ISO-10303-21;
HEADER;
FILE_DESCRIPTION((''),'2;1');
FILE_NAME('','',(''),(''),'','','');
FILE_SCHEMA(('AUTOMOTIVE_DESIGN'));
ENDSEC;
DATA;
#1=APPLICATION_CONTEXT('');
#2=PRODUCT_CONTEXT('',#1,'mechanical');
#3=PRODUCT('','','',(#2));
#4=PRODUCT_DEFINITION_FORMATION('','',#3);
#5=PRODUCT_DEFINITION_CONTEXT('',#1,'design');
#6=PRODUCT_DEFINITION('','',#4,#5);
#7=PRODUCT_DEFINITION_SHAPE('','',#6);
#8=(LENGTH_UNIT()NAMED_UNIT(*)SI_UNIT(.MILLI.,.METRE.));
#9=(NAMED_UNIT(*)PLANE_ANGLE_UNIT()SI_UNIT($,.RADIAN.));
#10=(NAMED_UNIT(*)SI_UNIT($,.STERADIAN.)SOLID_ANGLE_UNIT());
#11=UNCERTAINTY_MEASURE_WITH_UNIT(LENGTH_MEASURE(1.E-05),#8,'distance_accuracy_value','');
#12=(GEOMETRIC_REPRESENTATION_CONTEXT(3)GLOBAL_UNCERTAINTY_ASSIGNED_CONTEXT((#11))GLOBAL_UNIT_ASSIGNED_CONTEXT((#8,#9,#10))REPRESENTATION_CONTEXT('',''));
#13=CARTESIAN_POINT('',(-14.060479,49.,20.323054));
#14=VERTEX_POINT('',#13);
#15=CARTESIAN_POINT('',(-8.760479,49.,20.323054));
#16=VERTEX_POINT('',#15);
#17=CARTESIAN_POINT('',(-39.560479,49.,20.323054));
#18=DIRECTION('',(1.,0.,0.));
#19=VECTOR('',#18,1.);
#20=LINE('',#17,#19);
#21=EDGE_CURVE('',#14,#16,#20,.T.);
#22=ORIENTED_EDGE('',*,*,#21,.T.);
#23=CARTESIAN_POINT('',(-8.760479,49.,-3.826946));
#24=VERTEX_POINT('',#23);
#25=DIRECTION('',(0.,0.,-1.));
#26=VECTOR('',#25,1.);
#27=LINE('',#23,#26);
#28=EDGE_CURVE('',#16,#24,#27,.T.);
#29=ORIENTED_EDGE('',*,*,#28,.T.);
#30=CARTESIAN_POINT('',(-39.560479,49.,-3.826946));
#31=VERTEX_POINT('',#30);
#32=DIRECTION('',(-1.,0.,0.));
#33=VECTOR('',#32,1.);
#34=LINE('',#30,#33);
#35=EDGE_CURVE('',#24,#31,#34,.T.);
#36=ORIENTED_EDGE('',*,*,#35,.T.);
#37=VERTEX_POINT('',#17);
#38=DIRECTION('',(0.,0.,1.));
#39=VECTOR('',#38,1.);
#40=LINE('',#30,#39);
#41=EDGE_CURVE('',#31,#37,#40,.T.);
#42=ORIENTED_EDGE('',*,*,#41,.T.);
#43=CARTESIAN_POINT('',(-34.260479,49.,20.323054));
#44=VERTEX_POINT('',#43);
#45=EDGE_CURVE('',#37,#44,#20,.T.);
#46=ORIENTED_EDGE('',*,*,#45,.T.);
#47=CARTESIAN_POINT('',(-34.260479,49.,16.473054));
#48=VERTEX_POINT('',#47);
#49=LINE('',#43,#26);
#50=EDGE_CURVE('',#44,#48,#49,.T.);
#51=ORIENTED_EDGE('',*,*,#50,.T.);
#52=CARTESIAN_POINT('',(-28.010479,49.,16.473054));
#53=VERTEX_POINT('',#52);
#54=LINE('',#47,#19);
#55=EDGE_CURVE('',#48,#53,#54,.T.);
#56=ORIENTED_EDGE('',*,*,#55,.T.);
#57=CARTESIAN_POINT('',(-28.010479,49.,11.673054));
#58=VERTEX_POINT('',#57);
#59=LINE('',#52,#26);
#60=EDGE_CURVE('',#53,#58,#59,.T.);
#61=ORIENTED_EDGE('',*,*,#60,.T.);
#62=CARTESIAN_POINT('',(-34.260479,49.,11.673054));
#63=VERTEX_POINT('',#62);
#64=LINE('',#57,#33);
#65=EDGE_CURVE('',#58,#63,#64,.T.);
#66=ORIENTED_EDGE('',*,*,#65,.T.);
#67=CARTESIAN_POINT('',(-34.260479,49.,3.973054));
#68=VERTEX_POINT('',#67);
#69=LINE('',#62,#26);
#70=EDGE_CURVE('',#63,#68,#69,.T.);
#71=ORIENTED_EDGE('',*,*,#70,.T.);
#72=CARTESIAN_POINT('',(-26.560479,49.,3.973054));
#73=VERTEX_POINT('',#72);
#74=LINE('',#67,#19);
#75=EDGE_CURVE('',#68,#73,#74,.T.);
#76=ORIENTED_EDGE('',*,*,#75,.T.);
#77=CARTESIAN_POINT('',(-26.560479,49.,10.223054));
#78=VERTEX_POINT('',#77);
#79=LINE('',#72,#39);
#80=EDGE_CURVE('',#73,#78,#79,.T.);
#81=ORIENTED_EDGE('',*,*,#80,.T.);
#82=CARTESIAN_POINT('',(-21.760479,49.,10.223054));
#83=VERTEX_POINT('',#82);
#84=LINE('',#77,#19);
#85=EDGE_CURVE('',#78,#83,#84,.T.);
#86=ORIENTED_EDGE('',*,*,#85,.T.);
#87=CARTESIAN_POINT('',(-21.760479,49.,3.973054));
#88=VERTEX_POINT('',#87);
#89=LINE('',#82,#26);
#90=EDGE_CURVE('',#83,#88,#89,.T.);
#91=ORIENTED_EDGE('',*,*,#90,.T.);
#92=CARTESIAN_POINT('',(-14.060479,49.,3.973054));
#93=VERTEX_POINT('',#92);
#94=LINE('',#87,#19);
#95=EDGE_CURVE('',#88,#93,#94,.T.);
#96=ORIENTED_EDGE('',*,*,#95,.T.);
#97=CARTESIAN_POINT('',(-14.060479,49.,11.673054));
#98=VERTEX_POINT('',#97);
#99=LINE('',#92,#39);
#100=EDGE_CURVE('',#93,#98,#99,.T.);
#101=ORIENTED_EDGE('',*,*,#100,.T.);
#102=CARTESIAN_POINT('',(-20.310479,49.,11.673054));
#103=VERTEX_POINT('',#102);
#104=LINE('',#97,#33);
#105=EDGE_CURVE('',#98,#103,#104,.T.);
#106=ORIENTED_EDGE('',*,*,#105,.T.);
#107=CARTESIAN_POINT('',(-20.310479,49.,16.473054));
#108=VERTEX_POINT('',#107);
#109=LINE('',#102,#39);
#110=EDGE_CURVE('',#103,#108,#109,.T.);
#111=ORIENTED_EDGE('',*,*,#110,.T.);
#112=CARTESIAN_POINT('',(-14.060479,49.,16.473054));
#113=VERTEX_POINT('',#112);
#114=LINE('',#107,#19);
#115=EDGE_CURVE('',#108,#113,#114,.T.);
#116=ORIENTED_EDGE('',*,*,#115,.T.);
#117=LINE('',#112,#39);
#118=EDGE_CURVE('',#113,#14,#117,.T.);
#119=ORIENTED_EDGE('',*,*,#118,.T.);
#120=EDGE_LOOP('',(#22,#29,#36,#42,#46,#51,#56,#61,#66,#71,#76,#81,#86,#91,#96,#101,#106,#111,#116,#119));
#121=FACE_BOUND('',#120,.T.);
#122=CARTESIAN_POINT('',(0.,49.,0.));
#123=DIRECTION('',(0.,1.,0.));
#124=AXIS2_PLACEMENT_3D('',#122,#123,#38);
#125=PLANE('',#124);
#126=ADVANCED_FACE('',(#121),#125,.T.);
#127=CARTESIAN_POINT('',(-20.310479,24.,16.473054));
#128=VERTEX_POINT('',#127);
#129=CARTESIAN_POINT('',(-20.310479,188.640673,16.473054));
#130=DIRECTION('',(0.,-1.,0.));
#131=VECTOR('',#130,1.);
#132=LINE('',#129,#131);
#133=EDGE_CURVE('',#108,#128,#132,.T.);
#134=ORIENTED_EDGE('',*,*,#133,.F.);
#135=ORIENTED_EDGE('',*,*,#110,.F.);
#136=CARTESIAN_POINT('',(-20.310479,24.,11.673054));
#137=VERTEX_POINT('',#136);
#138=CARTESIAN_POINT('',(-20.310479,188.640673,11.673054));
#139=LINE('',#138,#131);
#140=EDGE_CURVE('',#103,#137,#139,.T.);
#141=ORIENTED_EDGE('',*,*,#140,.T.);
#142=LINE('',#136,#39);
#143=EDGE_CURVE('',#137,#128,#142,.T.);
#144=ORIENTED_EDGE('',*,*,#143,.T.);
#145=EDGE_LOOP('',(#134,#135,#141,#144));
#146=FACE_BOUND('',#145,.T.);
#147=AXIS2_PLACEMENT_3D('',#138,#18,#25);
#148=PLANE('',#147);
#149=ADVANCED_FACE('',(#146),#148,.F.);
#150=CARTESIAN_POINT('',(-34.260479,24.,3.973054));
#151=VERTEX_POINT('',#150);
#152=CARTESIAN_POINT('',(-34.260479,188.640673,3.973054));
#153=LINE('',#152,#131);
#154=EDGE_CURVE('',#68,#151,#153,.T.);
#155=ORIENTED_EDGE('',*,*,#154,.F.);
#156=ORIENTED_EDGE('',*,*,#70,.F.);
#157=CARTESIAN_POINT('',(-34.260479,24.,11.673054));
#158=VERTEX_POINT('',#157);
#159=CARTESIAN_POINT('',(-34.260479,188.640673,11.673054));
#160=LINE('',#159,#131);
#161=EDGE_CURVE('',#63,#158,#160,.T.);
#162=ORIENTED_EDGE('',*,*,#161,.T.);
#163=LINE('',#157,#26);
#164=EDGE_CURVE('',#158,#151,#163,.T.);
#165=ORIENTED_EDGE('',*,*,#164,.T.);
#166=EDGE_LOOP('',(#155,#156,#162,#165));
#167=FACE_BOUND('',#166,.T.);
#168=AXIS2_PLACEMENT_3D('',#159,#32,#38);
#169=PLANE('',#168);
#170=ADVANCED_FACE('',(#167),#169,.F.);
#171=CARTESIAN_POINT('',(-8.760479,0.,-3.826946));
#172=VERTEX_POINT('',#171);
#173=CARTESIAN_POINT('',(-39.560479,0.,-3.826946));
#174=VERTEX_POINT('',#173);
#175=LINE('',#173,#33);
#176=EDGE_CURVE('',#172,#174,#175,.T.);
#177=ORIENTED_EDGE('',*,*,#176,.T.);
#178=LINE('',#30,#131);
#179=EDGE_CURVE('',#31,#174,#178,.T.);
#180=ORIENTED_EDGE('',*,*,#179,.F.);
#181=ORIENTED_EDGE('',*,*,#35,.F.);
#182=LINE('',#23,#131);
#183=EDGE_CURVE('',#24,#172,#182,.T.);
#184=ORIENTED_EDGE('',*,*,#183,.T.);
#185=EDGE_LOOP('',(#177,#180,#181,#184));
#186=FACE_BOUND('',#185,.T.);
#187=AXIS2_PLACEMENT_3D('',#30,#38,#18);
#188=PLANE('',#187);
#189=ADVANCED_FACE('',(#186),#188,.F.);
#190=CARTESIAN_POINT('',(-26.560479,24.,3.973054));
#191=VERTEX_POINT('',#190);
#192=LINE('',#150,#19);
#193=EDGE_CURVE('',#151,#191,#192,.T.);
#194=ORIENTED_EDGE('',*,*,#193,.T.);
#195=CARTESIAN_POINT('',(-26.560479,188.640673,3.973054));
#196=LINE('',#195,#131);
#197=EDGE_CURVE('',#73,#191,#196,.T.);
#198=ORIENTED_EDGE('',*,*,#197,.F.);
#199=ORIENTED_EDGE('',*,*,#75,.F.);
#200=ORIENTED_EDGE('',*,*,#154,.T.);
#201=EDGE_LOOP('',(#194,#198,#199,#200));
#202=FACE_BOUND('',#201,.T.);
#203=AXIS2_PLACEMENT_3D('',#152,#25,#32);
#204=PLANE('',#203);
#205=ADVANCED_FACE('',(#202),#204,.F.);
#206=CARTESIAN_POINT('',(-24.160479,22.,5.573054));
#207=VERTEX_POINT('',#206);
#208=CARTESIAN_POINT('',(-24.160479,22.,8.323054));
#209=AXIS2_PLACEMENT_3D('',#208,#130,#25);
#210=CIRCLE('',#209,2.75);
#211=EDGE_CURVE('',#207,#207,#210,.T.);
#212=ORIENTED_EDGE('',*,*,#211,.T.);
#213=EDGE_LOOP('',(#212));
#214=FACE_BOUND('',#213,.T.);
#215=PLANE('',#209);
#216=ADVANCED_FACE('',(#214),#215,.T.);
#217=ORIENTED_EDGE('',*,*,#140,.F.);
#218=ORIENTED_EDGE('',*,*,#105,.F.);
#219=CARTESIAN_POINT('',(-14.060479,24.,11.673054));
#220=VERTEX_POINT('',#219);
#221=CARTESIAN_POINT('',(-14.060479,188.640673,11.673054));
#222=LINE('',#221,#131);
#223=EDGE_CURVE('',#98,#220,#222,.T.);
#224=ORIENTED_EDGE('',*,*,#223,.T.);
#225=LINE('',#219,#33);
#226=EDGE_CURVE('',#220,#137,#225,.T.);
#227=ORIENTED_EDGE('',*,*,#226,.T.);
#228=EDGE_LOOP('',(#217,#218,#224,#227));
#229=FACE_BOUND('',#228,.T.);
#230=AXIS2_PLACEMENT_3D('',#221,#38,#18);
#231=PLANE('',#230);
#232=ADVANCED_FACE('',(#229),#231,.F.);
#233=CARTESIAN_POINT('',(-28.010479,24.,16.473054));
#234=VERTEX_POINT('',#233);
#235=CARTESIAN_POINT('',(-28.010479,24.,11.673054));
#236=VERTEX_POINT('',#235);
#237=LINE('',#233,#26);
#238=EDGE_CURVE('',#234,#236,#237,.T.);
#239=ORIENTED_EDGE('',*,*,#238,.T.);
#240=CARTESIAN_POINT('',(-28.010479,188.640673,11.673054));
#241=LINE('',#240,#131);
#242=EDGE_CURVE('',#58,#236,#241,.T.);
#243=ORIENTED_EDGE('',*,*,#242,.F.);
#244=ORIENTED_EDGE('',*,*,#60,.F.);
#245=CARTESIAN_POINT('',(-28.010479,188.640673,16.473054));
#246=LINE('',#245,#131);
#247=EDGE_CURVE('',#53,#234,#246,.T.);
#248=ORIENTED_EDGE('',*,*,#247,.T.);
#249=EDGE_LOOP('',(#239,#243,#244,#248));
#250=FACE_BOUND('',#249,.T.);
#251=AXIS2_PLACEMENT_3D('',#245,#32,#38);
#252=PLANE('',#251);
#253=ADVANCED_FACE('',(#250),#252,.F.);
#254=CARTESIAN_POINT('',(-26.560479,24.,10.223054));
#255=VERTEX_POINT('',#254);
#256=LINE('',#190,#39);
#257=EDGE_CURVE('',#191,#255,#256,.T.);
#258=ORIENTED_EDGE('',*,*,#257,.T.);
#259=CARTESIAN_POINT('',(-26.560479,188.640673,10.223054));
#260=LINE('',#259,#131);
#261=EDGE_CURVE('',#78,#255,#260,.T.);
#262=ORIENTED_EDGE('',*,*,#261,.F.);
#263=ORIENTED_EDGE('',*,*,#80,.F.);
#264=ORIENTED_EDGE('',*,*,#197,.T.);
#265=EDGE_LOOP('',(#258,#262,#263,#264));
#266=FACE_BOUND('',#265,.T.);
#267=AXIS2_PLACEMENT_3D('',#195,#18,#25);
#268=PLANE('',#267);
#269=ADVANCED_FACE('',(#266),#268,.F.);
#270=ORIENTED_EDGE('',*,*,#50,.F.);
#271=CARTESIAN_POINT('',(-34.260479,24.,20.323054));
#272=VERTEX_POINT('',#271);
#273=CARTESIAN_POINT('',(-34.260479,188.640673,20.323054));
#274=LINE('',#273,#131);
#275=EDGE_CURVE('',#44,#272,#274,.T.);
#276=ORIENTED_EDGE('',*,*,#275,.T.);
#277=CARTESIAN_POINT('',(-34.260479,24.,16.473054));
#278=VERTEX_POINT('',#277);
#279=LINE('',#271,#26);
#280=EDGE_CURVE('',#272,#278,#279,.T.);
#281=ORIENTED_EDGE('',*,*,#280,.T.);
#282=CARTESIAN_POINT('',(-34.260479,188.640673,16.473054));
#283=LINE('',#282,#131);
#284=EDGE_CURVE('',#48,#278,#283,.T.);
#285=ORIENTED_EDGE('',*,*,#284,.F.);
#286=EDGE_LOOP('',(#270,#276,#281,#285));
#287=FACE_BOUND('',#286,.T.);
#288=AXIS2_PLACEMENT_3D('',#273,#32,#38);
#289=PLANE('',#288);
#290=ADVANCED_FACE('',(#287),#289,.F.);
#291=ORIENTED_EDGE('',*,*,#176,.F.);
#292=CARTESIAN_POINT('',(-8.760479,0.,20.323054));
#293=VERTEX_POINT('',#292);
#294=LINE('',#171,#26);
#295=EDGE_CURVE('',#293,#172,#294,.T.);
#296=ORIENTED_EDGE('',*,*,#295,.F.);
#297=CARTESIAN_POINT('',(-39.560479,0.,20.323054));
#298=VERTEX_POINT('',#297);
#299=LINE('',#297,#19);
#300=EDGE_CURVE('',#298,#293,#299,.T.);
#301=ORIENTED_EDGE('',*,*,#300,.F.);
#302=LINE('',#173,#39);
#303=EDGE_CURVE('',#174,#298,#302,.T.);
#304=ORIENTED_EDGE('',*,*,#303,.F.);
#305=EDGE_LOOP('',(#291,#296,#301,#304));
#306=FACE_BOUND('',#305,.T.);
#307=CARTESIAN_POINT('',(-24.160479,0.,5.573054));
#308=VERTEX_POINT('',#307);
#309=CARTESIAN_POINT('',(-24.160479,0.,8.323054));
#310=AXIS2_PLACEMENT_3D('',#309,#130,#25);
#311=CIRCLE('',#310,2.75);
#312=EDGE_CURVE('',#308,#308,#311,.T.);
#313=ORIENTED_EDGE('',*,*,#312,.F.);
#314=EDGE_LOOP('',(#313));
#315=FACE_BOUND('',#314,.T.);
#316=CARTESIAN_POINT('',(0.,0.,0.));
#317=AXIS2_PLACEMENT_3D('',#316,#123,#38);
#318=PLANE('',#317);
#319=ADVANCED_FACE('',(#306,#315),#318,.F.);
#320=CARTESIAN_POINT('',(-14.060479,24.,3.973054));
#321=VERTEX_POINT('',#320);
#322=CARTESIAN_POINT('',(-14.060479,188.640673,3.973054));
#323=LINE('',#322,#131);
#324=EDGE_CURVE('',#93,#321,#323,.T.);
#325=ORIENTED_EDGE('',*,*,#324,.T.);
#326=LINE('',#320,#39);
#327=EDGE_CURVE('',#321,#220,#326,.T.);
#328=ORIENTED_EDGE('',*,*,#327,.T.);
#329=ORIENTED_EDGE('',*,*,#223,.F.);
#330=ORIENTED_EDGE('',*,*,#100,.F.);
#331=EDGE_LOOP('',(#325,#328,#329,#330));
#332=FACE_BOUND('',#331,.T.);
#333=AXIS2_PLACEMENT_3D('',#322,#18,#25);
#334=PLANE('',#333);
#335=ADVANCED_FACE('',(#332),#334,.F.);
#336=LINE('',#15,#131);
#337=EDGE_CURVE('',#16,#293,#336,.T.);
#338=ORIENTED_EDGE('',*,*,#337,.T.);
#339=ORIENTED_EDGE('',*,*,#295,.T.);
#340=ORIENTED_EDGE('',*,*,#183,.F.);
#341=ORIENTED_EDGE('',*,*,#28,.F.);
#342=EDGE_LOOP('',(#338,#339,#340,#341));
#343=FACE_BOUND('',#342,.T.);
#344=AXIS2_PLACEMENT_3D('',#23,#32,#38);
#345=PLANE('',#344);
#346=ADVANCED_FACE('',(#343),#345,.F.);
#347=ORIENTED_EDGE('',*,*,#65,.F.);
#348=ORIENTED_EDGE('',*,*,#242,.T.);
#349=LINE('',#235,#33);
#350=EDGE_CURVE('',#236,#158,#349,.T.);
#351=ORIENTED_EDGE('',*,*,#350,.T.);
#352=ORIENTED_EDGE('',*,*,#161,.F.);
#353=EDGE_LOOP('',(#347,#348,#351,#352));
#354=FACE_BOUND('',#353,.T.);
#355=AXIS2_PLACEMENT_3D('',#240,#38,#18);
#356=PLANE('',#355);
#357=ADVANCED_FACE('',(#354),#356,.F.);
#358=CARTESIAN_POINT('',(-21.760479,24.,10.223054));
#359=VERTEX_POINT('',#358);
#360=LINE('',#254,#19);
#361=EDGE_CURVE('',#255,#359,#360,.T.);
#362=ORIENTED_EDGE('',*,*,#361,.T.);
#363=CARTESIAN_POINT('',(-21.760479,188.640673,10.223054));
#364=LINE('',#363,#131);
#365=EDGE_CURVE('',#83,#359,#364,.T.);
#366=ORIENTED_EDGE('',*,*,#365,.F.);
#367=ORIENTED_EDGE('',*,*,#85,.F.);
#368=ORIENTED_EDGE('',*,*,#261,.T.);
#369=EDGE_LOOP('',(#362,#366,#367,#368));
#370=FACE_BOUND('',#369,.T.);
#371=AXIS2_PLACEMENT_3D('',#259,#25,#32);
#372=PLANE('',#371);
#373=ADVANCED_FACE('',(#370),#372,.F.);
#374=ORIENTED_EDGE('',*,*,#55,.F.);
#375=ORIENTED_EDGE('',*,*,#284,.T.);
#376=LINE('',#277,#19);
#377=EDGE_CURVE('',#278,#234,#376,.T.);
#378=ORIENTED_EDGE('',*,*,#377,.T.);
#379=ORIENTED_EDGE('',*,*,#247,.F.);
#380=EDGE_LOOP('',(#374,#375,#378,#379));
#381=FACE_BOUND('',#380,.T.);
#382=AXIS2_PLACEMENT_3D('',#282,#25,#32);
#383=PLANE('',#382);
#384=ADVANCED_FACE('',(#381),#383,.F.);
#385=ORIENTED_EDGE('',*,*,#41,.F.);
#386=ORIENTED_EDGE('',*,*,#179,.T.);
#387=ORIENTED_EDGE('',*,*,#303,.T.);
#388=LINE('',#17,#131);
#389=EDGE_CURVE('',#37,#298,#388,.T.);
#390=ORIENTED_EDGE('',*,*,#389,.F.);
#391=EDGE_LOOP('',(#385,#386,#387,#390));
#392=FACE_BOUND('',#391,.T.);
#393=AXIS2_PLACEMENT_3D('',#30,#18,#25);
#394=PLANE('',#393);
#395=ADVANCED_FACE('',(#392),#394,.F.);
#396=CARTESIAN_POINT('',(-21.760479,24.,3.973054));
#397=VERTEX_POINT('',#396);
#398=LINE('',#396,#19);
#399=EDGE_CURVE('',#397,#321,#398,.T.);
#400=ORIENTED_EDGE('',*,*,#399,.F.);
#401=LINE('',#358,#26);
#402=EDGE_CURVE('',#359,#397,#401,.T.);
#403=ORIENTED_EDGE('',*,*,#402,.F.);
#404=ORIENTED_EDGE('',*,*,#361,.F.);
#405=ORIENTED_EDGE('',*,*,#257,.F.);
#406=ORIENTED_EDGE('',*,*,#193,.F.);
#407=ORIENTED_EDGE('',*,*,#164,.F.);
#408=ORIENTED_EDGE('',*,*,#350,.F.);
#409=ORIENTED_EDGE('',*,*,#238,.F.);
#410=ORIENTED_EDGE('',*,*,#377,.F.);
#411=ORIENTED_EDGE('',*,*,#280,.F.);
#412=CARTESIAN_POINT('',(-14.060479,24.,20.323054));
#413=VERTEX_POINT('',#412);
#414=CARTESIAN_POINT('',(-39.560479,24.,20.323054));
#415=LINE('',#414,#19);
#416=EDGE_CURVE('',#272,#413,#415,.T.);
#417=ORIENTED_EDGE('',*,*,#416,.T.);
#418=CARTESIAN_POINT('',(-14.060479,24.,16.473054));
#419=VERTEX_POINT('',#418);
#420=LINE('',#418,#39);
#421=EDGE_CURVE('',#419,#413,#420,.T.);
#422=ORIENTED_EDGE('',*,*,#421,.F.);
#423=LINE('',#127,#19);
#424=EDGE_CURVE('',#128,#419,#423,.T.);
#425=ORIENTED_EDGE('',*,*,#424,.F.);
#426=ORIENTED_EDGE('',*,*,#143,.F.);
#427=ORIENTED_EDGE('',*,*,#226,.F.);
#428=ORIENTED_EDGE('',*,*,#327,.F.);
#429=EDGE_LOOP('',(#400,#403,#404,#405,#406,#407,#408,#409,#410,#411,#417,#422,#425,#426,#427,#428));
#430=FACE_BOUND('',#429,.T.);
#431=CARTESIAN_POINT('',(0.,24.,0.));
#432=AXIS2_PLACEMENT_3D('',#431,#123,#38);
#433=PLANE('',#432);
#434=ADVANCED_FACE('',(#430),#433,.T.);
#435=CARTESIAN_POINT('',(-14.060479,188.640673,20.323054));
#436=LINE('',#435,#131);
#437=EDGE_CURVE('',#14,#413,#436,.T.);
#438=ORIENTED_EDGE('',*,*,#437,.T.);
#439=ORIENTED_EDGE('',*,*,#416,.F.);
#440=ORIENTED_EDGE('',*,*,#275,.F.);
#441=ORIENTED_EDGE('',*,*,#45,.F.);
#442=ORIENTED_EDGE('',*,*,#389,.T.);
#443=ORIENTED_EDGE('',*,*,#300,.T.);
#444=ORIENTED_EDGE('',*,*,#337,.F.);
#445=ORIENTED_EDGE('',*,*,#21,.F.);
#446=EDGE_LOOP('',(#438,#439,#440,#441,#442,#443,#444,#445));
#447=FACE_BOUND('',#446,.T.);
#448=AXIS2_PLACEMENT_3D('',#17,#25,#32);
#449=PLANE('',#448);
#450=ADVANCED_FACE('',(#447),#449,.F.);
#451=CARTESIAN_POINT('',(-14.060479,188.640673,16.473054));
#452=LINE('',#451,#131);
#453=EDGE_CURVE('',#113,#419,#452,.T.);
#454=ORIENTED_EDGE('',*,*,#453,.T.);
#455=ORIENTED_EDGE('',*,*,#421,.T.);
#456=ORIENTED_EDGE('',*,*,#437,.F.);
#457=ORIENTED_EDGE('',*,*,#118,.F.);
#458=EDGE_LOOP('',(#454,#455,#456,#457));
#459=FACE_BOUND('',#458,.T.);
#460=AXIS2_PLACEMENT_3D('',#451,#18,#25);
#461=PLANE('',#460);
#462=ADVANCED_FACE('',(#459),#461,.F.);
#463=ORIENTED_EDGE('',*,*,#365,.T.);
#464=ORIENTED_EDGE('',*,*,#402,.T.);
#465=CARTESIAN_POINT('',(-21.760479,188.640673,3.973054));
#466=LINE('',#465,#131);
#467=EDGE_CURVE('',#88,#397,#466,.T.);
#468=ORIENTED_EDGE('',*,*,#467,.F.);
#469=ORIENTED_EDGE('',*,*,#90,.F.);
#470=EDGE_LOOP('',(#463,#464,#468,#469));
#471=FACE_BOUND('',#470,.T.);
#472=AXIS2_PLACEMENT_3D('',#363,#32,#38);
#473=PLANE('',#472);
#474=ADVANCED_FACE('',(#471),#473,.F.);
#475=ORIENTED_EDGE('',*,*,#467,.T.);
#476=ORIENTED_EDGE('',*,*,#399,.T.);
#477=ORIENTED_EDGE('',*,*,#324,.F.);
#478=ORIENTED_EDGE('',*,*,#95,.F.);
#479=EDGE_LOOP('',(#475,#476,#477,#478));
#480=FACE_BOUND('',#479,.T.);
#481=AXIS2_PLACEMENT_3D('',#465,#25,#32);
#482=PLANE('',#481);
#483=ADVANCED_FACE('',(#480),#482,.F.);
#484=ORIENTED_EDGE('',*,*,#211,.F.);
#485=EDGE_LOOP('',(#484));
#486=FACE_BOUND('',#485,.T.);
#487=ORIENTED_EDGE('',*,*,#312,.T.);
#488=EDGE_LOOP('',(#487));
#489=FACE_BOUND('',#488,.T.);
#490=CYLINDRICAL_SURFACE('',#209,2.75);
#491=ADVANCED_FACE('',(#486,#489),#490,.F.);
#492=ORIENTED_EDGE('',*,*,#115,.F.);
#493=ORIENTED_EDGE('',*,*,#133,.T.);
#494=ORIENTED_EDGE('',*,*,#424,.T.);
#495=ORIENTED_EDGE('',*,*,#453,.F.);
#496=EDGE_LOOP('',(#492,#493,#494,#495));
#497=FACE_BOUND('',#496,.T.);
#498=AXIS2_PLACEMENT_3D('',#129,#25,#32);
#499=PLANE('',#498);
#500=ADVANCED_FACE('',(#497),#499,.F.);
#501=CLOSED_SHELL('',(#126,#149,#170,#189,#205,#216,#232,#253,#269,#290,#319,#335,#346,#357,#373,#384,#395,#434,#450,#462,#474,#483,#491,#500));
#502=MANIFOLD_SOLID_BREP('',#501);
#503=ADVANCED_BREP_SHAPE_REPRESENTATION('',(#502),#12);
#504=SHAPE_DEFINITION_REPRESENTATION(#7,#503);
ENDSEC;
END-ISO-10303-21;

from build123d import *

# Parameters (mm, degrees)
ESQUISSE1_W                  = 30.8
ESQUISSE1_H                  = 24.15
BOSS_EXTRU_1_DEPTH           = 49
ESQUISSE3_R                  = 2.75
ENL_V_MAT_EXTRU_3_DEPTH      = 22
ENL_V_MAT_EXTRU_4_DEPTH      = 67.174451426
ENL_V_MAT_EXTRU_4_DEPTH_BACK = 25


with BuildPart() as part:
    # Esquisse1 → Boss.-Extru.1 (new body)
    with BuildSketch(Plane(origin=(0, 0, 0), x_dir=(1, 0, 0), z_dir=(0, 1, 0))):
        with Locations((-24.160479042, -8.248053892)):
            Rectangle(ESQUISSE1_W, ESQUISSE1_H)
    extrude(amount=BOSS_EXTRU_1_DEPTH)

    # Esquisse3 → Enlèv. mat.-Extru.3 (cut)
    with BuildSketch(Plane(origin=(0, 0, 0), x_dir=(-1, 0, 0), z_dir=(0, -1, 0))):
        with Locations(Location((24.160479042, -8.323053892, 0), (0, 0, 90))):
            Circle(ESQUISSE3_R)
    extrude(amount=-ENL_V_MAT_EXTRU_3_DEPTH, mode=Mode.SUBTRACT)

    # Esquisse2 → Enlèv. mat.-Extru.4 (cut, two sides: drawn at the far end of the back side and taken through both)
    with BuildSketch(Plane(origin=(0, 49, 0), x_dir=(1, 0, 0), z_dir=(0, 1, 0)).offset(-ENL_V_MAT_EXTRU_4_DEPTH_BACK)):
        Polygon((-34.260479042, -100.564708201), (-34.260479042, -20.323053892), (-34.260479042, -16.473053892), (-28.010479042, -16.473053892), (-28.010479042, -11.673053892), (-34.260479042, -11.673053892), (-34.260479042, -3.973053892), (-26.560479042, -3.973053892), (-26.560479042, -10.223053892), (-21.760479042, -10.223053892), (-21.760479042, -3.973053892), (-14.060479042, -3.973053892), (-14.060479042, -11.673053892), (-20.310479042, -11.673053892), (-20.310479042, -16.473053892), (-14.060479042, -16.473053892), (-14.060479042, -20.323053892), (-14.060479042, -100.564708201), (-14.060479042, -261.048016818), (-34.260479042, -261.048016818), align=None)
    extrude(amount=ENL_V_MAT_EXTRU_4_DEPTH + ENL_V_MAT_EXTRU_4_DEPTH_BACK, mode=Mode.SUBTRACT)


solid = part.part
